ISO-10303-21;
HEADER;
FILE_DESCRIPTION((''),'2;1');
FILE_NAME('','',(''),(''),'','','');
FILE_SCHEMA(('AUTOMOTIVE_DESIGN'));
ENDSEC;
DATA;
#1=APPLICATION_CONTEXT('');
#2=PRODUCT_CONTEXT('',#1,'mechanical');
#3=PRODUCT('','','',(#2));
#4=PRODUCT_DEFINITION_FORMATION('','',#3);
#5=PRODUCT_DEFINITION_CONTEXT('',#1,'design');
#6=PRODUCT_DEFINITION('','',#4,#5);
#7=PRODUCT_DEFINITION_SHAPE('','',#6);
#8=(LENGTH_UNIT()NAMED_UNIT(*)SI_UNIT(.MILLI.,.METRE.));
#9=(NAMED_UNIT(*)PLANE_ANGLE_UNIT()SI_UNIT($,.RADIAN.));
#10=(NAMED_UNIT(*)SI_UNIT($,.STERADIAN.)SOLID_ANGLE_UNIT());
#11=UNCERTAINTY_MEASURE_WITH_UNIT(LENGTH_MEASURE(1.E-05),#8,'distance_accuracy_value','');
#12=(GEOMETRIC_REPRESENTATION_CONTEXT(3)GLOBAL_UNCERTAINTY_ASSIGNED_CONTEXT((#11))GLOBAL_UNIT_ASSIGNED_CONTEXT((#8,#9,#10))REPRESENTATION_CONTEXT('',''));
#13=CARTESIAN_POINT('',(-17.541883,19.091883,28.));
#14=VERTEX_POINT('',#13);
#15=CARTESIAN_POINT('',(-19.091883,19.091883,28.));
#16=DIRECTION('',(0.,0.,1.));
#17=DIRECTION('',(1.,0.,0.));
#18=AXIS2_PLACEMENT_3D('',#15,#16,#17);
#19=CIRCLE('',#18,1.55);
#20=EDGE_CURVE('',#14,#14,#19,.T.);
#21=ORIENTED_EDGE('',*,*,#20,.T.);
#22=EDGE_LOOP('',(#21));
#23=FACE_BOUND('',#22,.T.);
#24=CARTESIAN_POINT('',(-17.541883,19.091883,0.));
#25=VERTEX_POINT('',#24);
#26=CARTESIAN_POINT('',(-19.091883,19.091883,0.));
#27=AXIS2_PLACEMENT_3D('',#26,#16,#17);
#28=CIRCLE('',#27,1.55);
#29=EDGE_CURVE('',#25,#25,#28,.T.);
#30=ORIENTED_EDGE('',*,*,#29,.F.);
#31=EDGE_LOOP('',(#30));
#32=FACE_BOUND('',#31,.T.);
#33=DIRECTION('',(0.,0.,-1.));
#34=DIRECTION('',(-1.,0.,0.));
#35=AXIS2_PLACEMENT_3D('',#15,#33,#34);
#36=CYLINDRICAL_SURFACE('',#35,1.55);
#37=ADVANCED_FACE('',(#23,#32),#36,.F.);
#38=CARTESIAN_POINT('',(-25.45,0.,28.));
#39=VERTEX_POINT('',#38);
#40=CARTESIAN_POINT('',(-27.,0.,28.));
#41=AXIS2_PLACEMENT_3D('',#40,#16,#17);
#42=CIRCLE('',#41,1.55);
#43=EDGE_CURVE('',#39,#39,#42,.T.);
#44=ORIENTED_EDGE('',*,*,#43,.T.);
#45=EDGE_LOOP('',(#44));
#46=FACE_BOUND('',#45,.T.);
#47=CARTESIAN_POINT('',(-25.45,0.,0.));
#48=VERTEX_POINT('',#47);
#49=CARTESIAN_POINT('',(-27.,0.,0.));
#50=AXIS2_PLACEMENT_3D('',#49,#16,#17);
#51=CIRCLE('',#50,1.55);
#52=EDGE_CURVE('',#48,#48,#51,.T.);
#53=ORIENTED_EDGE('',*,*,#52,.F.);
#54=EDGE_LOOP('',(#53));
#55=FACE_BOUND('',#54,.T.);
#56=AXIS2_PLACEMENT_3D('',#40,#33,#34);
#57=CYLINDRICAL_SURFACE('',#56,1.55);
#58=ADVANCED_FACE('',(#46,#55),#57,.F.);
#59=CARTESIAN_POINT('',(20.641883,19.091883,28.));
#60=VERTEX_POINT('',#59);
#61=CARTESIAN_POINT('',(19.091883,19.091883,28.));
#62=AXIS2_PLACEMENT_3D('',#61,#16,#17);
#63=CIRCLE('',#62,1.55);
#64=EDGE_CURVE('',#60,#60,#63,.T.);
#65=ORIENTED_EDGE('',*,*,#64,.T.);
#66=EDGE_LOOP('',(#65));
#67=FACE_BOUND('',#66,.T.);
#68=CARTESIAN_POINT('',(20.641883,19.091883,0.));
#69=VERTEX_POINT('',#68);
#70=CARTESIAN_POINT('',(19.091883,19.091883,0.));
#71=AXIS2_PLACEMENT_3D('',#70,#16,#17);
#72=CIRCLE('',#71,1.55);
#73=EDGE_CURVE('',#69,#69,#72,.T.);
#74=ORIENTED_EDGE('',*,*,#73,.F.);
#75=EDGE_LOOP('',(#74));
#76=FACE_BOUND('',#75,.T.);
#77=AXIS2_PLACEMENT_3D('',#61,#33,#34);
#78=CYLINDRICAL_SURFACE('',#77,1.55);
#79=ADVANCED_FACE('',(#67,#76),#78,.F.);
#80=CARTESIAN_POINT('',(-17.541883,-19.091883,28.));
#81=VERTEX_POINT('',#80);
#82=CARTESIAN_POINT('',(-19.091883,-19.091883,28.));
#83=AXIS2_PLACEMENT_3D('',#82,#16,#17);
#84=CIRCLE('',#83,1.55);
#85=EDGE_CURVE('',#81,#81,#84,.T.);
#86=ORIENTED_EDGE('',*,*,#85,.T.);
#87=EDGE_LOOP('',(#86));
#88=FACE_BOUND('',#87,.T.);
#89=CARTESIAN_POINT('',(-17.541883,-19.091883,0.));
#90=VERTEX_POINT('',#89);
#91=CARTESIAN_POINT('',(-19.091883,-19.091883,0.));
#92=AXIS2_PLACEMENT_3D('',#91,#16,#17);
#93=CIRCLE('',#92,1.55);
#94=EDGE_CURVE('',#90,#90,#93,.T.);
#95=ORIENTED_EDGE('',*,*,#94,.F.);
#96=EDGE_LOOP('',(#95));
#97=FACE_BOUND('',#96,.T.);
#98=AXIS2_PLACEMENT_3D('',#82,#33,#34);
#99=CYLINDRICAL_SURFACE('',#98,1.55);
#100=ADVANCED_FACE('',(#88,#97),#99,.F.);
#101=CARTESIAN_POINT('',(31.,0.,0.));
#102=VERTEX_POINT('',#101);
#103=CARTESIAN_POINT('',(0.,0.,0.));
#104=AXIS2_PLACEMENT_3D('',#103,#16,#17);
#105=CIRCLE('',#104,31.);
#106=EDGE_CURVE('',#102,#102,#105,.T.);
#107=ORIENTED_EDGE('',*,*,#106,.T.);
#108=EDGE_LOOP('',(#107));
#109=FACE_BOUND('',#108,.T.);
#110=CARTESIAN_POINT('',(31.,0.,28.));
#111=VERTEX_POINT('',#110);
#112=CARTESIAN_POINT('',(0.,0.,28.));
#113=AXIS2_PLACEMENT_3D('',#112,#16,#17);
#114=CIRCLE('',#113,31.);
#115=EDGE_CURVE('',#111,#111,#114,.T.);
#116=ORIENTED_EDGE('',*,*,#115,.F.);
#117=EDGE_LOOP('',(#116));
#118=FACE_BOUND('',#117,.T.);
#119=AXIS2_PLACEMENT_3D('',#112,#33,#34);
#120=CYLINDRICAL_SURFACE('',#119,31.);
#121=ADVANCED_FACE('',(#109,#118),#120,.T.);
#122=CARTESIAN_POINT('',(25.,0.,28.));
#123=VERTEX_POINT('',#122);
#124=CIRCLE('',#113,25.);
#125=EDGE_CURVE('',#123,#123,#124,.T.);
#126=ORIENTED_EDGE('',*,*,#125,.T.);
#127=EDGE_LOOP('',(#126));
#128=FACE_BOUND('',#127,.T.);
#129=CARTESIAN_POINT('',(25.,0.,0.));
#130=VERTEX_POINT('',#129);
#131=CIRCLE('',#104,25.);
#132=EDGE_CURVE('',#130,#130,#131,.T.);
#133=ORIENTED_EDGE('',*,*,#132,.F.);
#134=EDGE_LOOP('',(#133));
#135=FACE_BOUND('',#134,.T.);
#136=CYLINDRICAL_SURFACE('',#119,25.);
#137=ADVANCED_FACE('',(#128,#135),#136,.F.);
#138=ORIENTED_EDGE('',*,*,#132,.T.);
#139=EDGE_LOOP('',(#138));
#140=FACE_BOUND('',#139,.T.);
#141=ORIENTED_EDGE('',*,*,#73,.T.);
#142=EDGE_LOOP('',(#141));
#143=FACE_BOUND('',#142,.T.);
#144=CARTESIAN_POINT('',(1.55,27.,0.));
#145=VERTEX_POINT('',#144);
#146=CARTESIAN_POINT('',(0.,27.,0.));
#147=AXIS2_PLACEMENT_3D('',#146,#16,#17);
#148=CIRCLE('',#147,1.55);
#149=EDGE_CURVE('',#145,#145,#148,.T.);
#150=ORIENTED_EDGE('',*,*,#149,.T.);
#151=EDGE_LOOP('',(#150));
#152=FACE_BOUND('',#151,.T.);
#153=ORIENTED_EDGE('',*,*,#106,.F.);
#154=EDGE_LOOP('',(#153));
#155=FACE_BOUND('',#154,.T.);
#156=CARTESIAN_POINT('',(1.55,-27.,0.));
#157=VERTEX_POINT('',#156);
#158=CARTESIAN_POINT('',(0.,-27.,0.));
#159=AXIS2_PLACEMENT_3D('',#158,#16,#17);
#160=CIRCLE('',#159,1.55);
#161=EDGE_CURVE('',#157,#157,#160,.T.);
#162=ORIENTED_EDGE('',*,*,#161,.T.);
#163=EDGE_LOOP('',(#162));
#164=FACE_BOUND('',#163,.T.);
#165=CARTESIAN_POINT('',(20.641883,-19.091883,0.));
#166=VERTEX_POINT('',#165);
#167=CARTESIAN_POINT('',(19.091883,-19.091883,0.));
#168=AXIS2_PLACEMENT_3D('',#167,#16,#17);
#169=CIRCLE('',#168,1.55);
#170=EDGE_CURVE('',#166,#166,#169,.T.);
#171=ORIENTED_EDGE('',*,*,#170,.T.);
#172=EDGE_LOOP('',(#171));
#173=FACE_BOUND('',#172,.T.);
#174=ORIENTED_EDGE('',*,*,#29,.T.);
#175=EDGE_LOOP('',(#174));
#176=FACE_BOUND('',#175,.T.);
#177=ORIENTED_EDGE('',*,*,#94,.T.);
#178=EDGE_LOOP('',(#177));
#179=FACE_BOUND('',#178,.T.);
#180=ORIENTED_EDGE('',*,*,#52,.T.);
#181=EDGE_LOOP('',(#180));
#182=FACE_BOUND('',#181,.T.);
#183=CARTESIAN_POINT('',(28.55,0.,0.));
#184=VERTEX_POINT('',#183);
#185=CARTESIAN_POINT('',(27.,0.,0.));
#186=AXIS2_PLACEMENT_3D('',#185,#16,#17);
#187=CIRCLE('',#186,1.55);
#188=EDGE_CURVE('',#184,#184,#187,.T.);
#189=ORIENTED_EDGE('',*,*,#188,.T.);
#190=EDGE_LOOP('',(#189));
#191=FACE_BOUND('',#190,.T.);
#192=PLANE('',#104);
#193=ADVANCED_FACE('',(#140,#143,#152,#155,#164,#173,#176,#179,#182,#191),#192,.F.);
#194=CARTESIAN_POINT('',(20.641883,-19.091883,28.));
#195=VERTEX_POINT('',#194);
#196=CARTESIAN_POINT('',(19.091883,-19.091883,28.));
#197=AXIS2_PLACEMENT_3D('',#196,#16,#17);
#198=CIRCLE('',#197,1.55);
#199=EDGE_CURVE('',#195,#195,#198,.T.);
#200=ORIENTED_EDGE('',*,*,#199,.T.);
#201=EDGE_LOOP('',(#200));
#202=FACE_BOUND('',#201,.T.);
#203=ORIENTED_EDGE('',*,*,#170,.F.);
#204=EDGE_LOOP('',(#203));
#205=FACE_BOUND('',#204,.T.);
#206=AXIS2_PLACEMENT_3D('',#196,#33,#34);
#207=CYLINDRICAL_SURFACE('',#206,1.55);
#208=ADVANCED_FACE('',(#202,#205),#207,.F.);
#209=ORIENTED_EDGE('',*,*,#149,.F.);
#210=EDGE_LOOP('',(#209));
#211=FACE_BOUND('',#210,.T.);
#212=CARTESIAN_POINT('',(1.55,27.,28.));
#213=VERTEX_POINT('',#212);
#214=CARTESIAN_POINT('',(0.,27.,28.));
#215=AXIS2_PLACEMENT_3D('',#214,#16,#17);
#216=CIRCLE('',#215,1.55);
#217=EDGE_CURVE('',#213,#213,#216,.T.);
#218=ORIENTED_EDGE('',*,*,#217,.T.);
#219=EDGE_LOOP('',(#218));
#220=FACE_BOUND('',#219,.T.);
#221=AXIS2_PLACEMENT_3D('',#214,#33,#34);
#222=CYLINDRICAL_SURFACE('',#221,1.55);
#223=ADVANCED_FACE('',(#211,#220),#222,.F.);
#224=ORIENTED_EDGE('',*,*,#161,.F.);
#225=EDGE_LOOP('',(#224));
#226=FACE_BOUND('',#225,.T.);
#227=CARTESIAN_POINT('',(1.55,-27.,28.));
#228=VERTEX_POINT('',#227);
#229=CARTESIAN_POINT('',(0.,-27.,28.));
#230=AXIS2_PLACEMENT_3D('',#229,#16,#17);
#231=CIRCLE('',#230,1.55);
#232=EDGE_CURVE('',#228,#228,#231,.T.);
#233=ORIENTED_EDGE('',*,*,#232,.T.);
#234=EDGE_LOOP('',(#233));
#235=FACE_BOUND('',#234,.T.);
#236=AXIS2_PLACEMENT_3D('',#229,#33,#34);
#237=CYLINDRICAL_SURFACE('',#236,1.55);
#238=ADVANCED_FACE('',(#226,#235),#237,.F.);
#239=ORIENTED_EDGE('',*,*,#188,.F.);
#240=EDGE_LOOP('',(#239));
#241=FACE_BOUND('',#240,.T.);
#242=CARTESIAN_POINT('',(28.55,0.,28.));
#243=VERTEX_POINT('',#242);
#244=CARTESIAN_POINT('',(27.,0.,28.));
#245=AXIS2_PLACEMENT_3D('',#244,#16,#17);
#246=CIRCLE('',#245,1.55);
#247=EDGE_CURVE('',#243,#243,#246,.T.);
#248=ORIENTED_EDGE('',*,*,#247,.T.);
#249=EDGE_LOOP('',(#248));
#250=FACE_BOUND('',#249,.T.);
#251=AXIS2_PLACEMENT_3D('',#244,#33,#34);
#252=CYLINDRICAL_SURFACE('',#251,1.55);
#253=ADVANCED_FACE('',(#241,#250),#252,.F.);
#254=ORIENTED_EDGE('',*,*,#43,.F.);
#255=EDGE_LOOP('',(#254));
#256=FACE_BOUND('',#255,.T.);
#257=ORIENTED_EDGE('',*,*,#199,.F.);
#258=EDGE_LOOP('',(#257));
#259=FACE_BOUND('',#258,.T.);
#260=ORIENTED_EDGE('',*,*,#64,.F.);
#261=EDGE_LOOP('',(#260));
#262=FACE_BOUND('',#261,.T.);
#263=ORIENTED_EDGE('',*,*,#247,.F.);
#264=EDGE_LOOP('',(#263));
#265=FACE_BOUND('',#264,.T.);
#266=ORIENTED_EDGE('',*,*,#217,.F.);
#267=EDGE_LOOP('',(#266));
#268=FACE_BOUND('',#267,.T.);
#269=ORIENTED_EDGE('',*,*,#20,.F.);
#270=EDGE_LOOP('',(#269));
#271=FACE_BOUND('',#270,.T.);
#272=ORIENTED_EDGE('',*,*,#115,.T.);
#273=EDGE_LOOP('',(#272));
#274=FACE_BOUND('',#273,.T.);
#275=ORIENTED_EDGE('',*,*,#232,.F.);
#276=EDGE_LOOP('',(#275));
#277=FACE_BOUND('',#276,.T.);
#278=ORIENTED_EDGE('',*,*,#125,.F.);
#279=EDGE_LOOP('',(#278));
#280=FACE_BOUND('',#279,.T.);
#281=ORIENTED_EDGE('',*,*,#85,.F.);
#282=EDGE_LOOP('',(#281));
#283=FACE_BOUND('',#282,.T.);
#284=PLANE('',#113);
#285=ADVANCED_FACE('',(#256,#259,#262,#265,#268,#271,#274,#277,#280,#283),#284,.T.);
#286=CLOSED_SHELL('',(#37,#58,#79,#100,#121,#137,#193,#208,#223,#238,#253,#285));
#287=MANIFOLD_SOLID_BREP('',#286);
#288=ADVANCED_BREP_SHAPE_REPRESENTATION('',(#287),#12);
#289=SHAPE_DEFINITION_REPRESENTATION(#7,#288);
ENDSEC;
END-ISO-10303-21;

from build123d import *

# Parameters (mm, degrees)
SKETCH1_R           = 31
SKETCH1_R_2         = 1.55
SKETCH1_R_3         = 25
BOSS_EXTRUDE1_DEPTH = 28


with BuildPart() as part:
    # Sketch1 → Boss-Extrude1 (new body)
    with BuildSketch(Plane.XY):
        Circle(SKETCH1_R)
        with Locations((-27, 0)):
            Circle(SKETCH1_R_2, mode=Mode.SUBTRACT)
        with Locations((-19.091883092, 19.091883092)):
            Circle(SKETCH1_R_2, mode=Mode.SUBTRACT)
        with Locations((0, 27)):
            Circle(SKETCH1_R_2, mode=Mode.SUBTRACT)
        with Locations((19.091883092, 19.091883092)):
            Circle(SKETCH1_R_2, mode=Mode.SUBTRACT)
        with Locations((27, 0)):
            Circle(SKETCH1_R_2, mode=Mode.SUBTRACT)
        with Locations((19.091883092, -19.091883092)):
            Circle(SKETCH1_R_2, mode=Mode.SUBTRACT)
        with Locations((0, -27)):
            Circle(SKETCH1_R_2, mode=Mode.SUBTRACT)
        with Locations((-19.091883092, -19.091883092)):
            Circle(SKETCH1_R_2, mode=Mode.SUBTRACT)
        Circle(SKETCH1_R_3, mode=Mode.SUBTRACT)
    extrude(amount=BOSS_EXTRUDE1_DEPTH)


solid = part.part
